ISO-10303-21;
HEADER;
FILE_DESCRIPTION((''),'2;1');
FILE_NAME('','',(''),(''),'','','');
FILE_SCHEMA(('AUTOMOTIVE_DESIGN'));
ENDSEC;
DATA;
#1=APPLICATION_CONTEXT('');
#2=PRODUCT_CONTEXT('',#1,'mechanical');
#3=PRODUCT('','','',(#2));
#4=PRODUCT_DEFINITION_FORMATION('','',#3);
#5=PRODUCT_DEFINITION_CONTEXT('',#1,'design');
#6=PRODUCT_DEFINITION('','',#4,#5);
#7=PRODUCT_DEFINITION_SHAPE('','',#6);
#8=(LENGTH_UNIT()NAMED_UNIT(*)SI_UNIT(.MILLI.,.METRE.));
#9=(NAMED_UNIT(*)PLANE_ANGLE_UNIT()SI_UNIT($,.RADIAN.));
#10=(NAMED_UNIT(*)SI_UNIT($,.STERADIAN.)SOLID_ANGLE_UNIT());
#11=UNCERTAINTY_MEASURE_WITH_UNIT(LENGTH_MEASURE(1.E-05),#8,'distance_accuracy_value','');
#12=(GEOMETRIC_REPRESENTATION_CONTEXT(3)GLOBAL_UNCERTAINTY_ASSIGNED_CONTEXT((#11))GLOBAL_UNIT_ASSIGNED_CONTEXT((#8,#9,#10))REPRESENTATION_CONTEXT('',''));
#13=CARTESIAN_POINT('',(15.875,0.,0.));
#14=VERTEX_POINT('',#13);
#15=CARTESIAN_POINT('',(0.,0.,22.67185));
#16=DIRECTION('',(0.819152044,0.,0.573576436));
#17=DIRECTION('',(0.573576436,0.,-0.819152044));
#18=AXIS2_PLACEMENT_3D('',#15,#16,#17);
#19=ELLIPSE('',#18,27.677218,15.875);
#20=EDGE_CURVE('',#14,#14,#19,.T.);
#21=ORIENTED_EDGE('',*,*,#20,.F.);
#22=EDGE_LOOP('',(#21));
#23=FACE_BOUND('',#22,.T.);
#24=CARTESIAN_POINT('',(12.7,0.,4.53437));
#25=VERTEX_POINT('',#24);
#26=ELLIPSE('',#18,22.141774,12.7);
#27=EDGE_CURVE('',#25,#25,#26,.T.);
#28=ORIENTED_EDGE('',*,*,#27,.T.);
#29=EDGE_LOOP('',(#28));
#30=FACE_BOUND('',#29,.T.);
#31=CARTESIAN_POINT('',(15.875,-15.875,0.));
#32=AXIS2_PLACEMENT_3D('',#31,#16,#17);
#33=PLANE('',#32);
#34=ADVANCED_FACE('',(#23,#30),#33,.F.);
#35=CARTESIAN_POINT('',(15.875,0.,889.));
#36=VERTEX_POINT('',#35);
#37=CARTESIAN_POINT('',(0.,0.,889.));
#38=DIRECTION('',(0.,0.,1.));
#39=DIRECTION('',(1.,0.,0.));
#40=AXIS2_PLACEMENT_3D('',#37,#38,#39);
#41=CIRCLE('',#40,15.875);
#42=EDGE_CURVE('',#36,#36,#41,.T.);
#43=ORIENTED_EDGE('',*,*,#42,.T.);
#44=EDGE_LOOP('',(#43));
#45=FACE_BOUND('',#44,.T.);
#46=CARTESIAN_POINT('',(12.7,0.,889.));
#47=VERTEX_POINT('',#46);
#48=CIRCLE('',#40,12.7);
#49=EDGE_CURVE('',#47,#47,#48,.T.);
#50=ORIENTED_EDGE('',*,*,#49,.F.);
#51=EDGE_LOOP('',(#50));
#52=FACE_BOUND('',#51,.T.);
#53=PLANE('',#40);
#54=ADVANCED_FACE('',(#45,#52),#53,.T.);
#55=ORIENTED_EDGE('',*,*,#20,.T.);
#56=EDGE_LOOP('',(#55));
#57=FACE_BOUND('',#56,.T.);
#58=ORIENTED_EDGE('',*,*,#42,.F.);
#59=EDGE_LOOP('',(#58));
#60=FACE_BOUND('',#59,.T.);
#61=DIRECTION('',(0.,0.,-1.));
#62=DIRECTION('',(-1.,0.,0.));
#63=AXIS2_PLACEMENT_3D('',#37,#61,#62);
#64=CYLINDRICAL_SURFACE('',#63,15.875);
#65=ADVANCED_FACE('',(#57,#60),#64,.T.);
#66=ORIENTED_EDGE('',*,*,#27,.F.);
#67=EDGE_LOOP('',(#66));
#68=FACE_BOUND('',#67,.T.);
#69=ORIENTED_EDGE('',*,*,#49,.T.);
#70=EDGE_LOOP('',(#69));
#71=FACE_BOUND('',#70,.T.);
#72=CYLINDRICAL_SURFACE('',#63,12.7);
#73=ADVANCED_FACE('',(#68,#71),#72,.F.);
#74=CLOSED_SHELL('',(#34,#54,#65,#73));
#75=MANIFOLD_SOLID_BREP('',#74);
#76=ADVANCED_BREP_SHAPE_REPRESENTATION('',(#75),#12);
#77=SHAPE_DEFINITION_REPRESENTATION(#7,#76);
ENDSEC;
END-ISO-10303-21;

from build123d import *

# Parameters (mm, degrees)
SKETCH1_R               = 15.875
SKETCH1_R_2             = 12.7
BOSS_EXTRUDE1_DEPTH     = 889
CUT_EXTRUDE1_DEPTH      = 890.283436959
CUT_EXTRUDE1_DEPTH_BACK = 890.283436959


with BuildPart() as part:
    # Sketch1 → Boss-Extrude1 (new body)
    with BuildSketch(Plane.XY):
        Circle(SKETCH1_R)
        Circle(SKETCH1_R_2, mode=Mode.SUBTRACT)
    extrude(amount=BOSS_EXTRUDE1_DEPTH)

    # Sketch3 → Cut-Extrude1 (cut, two sides: drawn at the far end of the back side and taken through both)
    with BuildSketch(Plane(origin=(0, 0, 0), x_dir=(1, 0, 0), z_dir=(0, 1, 0)).offset(-CUT_EXTRUDE1_DEPTH_BACK)):
        Polygon((0, 0), (15.875, 0), (-47.625, -90.687398428), (-47.625, 0), align=None)
    extrude(amount=CUT_EXTRUDE1_DEPTH + CUT_EXTRUDE1_DEPTH_BACK, mode=Mode.SUBTRACT)


solid = part.part
